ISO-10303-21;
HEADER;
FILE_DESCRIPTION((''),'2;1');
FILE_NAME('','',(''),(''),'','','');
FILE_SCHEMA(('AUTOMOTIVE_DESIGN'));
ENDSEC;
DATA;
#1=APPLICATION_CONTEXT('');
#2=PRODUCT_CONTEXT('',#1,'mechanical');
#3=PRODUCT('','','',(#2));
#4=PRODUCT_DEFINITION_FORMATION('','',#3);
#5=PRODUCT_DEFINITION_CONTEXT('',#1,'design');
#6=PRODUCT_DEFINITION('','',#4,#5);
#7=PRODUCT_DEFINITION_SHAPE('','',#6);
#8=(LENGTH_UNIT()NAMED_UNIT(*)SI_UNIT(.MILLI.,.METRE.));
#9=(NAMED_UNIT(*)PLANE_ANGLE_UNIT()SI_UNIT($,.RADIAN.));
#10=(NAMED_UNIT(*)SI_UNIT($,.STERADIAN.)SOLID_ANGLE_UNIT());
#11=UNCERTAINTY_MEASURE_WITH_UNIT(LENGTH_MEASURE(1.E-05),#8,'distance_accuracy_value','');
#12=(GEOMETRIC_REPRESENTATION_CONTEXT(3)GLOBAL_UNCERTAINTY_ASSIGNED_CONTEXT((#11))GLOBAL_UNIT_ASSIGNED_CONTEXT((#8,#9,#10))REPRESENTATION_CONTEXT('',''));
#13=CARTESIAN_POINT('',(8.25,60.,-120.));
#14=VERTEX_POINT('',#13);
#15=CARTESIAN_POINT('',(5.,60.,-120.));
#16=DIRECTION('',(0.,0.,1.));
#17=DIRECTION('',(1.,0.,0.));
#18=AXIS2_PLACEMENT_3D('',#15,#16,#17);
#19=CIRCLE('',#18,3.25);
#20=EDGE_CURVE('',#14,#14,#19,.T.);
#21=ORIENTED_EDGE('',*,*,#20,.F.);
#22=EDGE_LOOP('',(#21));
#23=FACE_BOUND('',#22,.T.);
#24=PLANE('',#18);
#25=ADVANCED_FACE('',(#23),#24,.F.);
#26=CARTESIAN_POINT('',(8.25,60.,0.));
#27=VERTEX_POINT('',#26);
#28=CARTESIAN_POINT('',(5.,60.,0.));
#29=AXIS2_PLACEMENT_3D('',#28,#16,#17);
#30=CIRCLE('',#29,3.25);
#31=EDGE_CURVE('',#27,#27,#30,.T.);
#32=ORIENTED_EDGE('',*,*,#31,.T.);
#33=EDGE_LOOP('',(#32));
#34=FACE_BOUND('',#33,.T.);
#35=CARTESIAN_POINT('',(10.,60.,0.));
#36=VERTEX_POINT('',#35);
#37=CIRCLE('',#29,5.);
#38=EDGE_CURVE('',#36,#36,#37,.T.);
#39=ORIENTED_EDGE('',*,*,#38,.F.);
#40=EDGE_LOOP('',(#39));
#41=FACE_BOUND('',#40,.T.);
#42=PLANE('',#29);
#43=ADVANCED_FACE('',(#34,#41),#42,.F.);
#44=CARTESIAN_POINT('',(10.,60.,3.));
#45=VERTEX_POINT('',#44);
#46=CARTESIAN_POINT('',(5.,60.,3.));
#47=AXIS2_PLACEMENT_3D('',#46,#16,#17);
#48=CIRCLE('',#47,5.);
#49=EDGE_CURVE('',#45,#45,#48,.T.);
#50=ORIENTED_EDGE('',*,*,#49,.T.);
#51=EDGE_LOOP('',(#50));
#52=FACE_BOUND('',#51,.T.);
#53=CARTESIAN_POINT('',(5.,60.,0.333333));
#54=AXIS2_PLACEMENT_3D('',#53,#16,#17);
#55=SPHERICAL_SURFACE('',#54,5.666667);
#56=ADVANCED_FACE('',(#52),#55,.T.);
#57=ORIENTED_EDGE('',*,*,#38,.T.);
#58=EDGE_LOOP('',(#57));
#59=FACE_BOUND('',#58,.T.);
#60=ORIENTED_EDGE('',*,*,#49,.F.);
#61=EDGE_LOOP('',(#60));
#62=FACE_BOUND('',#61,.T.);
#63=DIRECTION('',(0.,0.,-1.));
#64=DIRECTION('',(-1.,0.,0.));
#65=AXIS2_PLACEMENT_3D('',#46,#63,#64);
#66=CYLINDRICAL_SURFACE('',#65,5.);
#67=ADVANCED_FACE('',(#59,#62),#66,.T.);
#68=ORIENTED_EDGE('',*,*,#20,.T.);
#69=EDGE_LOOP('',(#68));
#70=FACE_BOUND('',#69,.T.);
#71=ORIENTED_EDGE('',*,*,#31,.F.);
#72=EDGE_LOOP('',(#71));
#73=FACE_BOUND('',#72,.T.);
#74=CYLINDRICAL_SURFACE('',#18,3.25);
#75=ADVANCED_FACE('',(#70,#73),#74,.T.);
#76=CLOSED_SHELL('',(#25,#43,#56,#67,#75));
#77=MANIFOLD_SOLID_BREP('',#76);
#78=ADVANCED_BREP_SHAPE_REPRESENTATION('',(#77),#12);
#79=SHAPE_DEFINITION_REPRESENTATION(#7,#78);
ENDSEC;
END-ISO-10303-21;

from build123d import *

# Parameters (mm, degrees)
SKETCH1_R           = 3.25
SKETCH3_R           = 5
BOSS_EXTRUDE1_DEPTH = 3
DOME1_FACE_RADIUS   = 5
DOME1_HEIGHT        = 3


with BuildPart() as part:
    # Sweep1: sweep along a path in Sketch2
    with BuildLine(Plane(origin=(5, 0, 0), x_dir=(0, 0, -1), z_dir=(1, 0, 0))) as sweep1_path:
        Line((0, 0), (120, 0))
    # Sketch1 → Sweep1 (sweep)
    with BuildSketch(Plane.XY):
        with Locations((5, 60)):
            Circle(SKETCH1_R)
    sweep(path=sweep1_path.line)

    # Sketch3 → Boss-Extrude1 (add)
    with BuildSketch(Plane.XY):
        with Locations((5, 60)):
            Circle(SKETCH3_R)
    extrude(amount=BOSS_EXTRUDE1_DEPTH)

    # Dome1: a dome of height H over a round flat face of radius A is a cap of a sphere of radius (A * A + H * H) / (2 * H)
    dome1_r = (DOME1_FACE_RADIUS * DOME1_FACE_RADIUS + DOME1_HEIGHT * DOME1_HEIGHT) / (2 * DOME1_HEIGHT)
    dome1_base = Plane((5, 60, 3), z_dir=(0, 0, 1))
    with Locations(dome1_base.offset(DOME1_HEIGHT - dome1_r)):
        dome1_ball = Sphere(dome1_r, mode=Mode.PRIVATE)
    add(split(dome1_ball, bisect_by=dome1_base, keep=Keep.TOP, mode=Mode.PRIVATE))


solid = part.part
